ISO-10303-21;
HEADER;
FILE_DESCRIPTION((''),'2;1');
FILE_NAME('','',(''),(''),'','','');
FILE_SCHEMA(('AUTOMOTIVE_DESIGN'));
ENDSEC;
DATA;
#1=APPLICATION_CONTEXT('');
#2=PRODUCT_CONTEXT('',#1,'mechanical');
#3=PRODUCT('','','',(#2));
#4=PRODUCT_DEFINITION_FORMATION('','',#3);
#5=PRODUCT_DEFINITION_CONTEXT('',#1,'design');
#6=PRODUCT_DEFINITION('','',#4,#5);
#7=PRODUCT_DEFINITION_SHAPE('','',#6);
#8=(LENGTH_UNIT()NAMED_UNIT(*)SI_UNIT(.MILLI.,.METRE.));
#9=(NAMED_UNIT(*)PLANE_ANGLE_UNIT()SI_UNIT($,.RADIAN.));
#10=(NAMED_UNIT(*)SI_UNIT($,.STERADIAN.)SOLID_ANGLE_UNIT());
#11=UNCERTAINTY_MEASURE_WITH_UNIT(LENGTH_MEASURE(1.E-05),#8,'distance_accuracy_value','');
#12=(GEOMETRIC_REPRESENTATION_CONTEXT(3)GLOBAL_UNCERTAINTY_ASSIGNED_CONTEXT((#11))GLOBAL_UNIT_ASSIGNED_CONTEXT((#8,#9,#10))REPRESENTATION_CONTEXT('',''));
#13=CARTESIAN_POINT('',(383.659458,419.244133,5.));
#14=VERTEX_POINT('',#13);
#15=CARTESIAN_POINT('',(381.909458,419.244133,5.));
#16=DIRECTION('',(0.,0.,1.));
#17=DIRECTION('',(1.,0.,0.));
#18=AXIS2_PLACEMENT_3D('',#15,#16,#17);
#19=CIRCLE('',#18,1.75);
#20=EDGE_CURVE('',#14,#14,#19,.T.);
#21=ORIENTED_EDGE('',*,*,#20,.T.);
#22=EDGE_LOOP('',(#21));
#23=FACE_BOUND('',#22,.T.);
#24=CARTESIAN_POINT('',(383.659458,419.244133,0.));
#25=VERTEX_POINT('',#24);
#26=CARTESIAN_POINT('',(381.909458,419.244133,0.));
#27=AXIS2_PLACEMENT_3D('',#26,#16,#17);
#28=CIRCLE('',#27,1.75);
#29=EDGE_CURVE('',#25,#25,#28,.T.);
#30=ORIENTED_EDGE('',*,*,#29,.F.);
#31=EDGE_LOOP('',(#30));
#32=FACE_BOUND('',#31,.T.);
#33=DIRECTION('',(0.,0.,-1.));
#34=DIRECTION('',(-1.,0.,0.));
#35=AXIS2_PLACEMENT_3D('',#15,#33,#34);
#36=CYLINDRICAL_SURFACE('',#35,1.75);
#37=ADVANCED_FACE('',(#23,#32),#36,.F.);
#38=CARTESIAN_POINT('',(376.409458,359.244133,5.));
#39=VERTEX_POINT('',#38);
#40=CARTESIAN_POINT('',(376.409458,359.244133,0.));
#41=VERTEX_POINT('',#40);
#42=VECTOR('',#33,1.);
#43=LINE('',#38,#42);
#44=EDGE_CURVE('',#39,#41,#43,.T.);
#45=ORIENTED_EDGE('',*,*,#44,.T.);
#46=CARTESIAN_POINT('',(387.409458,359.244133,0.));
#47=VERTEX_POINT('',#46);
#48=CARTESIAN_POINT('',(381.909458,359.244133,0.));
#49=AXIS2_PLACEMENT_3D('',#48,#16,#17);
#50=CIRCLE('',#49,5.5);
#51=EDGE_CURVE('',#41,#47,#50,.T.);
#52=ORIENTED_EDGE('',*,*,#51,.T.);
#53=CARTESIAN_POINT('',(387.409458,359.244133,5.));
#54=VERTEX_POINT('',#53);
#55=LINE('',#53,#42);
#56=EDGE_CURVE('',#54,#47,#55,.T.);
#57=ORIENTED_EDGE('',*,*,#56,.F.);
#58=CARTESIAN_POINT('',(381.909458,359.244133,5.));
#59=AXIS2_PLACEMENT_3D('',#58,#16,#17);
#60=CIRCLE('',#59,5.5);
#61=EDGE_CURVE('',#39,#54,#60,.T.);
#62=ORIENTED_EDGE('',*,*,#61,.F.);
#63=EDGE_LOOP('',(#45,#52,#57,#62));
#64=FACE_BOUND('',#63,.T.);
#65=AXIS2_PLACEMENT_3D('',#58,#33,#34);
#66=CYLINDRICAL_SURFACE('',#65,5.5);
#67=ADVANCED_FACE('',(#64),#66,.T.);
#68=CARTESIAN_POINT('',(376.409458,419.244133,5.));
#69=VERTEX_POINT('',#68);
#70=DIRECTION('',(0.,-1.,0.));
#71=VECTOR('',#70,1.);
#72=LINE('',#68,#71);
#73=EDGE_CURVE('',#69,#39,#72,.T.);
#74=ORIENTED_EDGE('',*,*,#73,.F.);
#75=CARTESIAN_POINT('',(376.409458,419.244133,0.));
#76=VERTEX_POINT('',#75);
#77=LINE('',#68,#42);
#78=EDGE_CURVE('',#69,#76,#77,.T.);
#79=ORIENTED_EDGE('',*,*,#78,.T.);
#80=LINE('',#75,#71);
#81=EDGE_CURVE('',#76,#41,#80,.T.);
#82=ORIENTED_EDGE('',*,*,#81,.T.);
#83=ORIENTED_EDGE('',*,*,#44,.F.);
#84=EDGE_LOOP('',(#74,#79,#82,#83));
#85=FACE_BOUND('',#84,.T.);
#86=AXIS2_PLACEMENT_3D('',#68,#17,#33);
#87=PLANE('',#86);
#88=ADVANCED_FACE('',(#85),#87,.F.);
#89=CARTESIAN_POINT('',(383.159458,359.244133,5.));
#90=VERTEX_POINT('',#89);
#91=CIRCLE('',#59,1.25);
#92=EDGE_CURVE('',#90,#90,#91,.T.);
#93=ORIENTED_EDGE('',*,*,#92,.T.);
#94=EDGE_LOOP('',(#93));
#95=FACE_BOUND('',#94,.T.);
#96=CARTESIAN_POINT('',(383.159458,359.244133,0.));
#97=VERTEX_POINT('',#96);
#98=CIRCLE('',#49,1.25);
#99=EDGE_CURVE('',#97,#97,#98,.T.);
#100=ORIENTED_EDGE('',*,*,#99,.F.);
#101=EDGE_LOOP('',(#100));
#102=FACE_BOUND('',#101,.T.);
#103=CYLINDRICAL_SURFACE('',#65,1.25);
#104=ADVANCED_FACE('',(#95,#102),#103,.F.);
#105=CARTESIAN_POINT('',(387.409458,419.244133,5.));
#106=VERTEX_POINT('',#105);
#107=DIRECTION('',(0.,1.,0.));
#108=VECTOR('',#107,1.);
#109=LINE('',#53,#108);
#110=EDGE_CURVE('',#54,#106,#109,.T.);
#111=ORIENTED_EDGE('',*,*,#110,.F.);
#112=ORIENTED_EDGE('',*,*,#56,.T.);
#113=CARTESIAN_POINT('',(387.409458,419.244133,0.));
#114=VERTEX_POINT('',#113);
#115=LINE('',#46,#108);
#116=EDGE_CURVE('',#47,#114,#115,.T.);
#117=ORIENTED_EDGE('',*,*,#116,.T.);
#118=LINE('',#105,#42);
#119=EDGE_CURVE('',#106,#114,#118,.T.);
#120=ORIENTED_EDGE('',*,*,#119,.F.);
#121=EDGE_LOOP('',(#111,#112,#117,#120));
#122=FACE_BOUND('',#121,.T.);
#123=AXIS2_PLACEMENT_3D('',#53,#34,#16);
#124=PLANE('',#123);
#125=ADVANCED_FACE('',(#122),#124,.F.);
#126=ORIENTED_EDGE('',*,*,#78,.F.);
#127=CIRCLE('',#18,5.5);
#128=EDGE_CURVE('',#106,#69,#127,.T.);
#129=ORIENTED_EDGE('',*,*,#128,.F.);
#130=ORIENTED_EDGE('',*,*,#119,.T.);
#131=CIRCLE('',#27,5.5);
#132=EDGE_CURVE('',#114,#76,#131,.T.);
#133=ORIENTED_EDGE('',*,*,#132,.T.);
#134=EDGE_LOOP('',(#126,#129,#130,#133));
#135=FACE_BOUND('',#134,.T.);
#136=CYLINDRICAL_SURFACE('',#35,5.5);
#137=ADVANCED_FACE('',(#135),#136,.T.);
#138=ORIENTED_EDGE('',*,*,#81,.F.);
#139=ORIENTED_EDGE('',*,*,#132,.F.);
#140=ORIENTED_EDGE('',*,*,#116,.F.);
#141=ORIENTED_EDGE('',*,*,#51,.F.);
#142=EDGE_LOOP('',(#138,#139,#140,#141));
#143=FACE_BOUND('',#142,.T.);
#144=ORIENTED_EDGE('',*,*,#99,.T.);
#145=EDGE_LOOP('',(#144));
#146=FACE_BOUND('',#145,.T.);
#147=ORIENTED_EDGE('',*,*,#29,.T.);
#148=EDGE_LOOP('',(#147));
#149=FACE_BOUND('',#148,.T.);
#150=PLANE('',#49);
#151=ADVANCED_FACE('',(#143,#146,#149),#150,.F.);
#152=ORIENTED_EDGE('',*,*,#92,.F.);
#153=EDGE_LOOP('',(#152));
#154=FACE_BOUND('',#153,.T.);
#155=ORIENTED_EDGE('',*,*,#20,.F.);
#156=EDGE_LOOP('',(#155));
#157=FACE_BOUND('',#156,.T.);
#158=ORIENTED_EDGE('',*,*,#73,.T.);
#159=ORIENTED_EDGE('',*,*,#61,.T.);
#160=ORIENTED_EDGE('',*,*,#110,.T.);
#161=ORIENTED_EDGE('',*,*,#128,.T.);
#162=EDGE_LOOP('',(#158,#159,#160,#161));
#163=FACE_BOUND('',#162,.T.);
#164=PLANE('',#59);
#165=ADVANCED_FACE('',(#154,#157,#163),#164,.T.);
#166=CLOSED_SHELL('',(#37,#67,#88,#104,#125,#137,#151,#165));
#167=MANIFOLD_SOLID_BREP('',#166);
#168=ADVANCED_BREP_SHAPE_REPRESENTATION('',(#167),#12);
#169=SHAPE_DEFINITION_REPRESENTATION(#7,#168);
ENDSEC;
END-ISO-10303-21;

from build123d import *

# Parameters (mm, degrees)
SKETCH1_R           = 1.75
SKETCH1_R_2         = 1.25
BOSS_EXTRUDE2_DEPTH = 5


with BuildPart() as part:
    # Sketch1 → Boss-Extrude2 (new body)
    with BuildSketch(Plane.XY):
        with BuildLine():
            Line((376.409457729, 419.244133277), (376.409457729, 359.244133277))
            ThreePointArc((376.409457729, 359.244133277), (381.909457729, 353.744133277), (387.409457729, 359.244133277))
            Line((387.409457729, 359.244133277), (387.409457729, 419.244133277))
            ThreePointArc((387.409457729, 419.244133277), (381.909457729, 424.744133277), (376.409457729, 419.244133277))
        make_face()
        with Locations((381.909457729, 419.244133277)):
            Circle(SKETCH1_R, mode=Mode.SUBTRACT)
        with Locations((381.909457729, 359.244133277)):
            Circle(SKETCH1_R_2, mode=Mode.SUBTRACT)
    extrude(amount=BOSS_EXTRUDE2_DEPTH)


solid = part.part
